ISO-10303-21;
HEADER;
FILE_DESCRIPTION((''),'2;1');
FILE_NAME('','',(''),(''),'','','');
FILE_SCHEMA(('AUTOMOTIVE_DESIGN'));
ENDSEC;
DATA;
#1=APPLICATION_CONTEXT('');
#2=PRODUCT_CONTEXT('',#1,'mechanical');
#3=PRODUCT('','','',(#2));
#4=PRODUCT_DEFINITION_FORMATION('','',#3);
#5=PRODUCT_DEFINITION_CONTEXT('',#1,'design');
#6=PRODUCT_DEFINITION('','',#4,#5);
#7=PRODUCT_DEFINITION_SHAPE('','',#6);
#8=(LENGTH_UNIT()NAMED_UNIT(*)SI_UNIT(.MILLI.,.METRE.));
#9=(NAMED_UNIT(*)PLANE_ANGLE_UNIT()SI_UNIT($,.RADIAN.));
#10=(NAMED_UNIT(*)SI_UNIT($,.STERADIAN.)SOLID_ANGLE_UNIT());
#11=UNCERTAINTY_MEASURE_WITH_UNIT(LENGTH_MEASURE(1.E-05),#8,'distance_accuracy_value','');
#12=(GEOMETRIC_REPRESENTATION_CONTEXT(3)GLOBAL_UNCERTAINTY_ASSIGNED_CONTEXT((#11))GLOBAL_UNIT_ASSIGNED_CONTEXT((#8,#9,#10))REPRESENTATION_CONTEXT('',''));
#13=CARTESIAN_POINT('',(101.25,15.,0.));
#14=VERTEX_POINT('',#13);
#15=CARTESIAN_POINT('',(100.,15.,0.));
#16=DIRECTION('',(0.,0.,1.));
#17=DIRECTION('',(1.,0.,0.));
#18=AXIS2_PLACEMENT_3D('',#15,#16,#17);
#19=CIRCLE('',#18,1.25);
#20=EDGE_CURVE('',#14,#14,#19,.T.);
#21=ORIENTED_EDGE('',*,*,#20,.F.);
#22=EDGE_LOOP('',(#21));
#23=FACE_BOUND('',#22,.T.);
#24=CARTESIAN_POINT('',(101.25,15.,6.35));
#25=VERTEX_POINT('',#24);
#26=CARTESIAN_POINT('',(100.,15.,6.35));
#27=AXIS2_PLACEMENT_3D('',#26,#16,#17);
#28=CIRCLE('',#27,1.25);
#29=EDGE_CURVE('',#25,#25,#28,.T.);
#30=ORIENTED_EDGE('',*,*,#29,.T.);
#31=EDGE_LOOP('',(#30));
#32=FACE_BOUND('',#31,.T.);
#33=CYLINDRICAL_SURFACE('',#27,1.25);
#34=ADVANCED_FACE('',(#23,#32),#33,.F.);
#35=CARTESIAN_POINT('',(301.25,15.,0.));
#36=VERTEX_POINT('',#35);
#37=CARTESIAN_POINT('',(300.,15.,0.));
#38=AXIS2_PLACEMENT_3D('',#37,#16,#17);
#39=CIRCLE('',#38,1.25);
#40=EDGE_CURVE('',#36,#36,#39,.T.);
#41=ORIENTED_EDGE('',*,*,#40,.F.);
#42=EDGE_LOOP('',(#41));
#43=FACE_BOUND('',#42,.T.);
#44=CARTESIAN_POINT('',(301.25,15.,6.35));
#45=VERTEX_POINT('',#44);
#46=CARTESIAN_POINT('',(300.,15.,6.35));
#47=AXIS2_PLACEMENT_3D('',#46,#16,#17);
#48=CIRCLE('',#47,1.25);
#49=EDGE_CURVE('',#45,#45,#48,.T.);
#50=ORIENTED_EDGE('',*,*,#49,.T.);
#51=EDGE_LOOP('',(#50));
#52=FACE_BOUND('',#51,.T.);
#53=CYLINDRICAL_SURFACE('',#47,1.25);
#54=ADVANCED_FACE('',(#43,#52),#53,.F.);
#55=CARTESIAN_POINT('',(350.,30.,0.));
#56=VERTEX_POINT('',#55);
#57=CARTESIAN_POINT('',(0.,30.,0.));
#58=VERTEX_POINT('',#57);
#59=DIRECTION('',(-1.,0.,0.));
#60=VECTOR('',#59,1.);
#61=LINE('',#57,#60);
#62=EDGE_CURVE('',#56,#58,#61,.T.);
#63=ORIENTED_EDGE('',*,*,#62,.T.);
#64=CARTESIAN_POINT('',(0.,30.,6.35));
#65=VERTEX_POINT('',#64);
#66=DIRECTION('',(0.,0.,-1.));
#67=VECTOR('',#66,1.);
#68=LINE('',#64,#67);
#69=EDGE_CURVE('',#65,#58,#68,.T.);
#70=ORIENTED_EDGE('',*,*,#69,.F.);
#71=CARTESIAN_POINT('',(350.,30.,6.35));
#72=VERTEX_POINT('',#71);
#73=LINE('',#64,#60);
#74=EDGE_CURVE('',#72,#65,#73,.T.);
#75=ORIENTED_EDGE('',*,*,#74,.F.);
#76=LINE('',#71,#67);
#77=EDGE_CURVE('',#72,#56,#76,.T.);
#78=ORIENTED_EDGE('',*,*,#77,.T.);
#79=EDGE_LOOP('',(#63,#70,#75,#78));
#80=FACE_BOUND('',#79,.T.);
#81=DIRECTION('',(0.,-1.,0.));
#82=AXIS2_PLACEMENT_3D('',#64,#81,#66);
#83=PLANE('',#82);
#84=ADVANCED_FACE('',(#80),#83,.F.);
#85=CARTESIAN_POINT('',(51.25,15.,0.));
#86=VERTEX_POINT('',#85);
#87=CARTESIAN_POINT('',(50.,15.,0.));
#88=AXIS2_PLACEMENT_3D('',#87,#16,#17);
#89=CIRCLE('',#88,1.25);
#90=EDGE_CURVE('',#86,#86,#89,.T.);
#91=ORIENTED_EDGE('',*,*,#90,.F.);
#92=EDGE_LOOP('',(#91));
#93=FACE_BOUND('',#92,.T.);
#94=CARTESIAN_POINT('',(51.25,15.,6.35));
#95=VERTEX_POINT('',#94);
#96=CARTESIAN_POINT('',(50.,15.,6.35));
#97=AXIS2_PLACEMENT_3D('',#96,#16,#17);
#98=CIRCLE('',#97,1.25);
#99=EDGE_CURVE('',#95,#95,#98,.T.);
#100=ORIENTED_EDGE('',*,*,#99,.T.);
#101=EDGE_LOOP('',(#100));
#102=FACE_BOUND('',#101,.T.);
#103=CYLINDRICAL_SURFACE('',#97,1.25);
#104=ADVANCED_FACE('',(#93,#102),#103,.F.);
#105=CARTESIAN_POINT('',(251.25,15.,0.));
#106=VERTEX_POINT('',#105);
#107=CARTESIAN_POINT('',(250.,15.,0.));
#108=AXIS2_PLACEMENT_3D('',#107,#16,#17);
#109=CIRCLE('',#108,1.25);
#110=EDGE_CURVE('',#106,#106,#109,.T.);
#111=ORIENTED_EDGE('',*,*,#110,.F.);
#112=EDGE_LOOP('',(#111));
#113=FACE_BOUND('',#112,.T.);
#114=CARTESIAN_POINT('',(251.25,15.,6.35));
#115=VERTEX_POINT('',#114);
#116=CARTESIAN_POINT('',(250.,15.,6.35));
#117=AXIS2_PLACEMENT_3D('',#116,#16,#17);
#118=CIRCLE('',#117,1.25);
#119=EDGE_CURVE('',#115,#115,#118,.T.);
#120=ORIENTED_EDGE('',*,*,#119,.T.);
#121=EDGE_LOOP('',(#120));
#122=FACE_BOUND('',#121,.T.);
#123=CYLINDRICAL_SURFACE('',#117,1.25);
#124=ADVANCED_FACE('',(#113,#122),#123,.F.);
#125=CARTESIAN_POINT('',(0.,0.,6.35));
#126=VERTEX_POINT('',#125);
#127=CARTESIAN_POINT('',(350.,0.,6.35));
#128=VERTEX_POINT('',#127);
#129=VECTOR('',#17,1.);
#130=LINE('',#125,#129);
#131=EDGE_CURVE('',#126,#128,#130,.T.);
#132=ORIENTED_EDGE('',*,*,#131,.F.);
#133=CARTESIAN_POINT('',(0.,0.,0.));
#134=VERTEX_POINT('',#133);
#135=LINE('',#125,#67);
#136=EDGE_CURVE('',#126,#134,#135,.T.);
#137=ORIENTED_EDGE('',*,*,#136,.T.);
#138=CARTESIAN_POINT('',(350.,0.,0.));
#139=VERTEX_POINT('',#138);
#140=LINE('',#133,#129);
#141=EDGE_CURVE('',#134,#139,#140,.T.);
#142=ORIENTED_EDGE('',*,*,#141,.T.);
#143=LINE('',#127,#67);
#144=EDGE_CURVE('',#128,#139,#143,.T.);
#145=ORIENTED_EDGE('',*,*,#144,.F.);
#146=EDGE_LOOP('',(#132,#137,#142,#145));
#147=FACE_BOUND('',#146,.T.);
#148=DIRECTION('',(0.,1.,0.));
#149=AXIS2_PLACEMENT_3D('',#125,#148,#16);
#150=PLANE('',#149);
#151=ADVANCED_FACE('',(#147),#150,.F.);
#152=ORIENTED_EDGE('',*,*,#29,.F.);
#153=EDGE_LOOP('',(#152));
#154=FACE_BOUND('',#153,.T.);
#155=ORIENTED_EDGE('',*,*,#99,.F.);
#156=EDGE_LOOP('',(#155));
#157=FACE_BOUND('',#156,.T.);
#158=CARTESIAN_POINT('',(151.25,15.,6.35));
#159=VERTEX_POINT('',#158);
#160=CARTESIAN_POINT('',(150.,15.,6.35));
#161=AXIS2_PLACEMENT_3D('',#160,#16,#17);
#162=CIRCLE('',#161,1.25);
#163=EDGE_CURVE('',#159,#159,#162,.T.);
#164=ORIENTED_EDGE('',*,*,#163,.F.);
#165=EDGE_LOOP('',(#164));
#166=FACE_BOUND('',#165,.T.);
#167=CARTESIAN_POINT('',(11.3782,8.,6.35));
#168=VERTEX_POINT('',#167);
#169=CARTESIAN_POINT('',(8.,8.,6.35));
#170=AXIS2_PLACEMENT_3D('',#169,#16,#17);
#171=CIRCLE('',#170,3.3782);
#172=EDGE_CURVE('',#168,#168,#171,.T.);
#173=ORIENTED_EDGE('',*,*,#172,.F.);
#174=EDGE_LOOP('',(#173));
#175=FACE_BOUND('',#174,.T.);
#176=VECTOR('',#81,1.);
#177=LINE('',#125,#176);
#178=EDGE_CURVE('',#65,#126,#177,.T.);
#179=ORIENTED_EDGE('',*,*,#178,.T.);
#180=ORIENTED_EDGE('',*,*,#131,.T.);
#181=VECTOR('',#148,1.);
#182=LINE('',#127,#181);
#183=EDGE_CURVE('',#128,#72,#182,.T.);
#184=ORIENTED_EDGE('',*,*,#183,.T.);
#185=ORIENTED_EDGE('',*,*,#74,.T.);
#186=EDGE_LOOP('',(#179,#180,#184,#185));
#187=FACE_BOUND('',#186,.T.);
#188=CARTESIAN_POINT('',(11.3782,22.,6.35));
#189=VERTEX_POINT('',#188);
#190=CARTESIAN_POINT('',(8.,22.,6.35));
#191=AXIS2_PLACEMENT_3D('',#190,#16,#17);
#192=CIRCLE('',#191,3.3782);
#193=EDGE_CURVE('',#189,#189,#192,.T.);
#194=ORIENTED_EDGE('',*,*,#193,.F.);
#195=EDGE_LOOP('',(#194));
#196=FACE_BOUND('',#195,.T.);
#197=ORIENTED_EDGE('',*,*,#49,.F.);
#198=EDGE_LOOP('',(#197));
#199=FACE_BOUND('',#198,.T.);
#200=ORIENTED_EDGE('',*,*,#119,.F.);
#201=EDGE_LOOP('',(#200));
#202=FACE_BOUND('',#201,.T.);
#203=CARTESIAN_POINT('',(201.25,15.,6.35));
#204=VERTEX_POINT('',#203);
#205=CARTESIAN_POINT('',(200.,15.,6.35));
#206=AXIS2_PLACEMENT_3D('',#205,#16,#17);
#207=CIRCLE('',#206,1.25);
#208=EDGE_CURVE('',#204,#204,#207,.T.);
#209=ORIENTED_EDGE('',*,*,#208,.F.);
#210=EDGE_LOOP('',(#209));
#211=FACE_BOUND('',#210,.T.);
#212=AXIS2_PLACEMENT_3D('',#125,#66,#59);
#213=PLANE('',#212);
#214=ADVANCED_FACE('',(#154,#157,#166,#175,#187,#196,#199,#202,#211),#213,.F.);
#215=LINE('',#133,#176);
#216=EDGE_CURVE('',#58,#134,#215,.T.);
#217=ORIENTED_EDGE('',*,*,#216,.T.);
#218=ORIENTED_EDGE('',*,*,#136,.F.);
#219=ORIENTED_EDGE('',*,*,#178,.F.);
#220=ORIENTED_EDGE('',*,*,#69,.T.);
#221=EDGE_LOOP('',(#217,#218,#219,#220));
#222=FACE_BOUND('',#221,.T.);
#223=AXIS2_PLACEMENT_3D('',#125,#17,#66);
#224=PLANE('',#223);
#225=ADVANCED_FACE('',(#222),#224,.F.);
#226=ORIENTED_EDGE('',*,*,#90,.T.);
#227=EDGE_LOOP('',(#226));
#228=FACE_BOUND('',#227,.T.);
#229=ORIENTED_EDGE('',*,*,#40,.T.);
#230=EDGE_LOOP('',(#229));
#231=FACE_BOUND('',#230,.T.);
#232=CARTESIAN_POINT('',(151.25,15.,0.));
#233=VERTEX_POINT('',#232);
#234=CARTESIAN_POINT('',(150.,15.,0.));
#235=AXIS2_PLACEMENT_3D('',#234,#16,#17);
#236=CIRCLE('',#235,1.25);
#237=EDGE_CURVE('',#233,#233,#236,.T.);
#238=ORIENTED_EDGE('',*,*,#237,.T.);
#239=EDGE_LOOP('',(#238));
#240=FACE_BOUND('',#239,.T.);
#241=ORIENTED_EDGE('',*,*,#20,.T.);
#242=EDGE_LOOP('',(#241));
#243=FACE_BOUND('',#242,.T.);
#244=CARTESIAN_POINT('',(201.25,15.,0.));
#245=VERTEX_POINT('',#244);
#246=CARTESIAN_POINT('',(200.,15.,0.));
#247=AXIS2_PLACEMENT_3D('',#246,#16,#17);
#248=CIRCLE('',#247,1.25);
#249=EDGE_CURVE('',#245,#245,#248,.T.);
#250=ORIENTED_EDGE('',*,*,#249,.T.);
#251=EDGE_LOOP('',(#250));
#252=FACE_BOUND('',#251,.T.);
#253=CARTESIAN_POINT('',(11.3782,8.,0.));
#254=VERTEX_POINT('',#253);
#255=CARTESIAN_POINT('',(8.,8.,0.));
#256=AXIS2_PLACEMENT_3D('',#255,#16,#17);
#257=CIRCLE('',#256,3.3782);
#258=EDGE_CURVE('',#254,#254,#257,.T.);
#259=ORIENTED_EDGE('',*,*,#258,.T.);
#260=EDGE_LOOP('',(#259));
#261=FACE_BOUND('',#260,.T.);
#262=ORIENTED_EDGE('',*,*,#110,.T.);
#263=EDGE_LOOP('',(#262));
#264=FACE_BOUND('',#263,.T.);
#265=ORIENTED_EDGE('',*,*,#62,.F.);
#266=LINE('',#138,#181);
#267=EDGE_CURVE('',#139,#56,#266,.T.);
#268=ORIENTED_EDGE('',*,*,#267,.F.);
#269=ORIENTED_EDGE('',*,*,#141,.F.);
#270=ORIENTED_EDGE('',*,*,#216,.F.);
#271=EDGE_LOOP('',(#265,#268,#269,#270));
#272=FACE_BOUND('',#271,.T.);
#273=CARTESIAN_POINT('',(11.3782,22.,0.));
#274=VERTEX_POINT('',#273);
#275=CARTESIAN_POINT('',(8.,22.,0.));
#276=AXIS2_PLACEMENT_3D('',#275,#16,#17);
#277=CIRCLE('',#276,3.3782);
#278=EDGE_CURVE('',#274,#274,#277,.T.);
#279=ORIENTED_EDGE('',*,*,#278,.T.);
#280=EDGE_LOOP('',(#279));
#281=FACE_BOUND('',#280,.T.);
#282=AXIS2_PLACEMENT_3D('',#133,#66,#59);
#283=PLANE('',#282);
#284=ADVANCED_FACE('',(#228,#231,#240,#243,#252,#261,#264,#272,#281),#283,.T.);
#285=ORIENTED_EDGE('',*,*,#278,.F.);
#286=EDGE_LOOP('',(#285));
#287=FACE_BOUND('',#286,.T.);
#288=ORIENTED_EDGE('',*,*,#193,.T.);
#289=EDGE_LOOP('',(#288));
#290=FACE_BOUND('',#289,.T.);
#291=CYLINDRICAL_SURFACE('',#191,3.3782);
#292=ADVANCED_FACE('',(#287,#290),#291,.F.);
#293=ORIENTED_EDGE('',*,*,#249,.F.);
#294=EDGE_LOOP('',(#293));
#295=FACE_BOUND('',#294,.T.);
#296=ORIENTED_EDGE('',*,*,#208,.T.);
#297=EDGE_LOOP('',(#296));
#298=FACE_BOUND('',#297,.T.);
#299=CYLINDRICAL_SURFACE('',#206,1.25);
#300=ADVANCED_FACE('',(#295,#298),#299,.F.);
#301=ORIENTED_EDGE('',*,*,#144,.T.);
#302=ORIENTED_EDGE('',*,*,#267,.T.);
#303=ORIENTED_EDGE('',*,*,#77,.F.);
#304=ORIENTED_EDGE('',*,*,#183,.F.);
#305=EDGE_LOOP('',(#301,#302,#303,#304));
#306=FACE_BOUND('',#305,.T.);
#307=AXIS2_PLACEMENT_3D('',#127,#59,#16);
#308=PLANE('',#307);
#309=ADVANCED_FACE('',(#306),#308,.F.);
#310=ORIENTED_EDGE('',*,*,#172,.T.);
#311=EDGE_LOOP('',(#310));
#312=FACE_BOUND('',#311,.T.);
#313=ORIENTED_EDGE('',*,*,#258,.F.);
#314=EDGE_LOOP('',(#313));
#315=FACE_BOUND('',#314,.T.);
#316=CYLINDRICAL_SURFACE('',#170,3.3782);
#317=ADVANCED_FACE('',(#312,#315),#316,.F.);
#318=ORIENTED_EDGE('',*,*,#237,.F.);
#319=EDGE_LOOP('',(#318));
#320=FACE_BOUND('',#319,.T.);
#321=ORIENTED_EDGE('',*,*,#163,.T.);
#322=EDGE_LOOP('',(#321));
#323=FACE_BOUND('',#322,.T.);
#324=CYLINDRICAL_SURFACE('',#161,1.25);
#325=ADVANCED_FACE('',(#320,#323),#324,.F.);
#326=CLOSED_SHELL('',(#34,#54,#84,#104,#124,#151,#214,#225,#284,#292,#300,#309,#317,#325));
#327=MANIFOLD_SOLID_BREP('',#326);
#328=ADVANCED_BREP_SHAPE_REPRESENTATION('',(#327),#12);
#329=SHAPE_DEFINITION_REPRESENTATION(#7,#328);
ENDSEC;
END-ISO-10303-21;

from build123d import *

# Parameters (mm, degrees)
SKETCH2_W                   = 350
SKETCH2_H                   = 30
BOSS_EXTRUDE1_DEPTH         = 6.35
F_1_4_CLEARANCE_HOLE1_D     = 6.7564
TAP_DRILL_FOR_M3X0_5_TAP1_D = 2.5
LPATTERN1_COUNT             = 6
LPATTERN1_PITCH             = 50


with BuildPart() as part:
    # Sketch2 → Boss-Extrude1 (new body)
    with BuildSketch(Plane.XY):
        with Locations((175, 15)):
            Rectangle(SKETCH2_W, SKETCH2_H)
    extrude(amount=BOSS_EXTRUDE1_DEPTH)

    # 1/4 Clearance Hole1 (through all)
    with Locations(Plane.XY.offset(6.35)):
        with Locations((8, 22), (8, 8)):
            Hole(F_1_4_CLEARANCE_HOLE1_D / 2)

    # Tap Drill for M3x0.5 Tap1 (through all)
    with Locations(Plane.XY.offset(6.35)):
        with Locations((50, 15)):
            tap_drill_for_m3x0_5_tap1 = Hole(TAP_DRILL_FOR_M3X0_5_TAP1_D / 2)

    # LPattern1: Tap Drill for M3x0.5 Tap1 ×6
    with Locations(*[(i * LPATTERN1_PITCH, 0, 0) for i in range(1, LPATTERN1_COUNT)]):
        add(tap_drill_for_m3x0_5_tap1, mode=Mode.SUBTRACT)


solid = part.part
